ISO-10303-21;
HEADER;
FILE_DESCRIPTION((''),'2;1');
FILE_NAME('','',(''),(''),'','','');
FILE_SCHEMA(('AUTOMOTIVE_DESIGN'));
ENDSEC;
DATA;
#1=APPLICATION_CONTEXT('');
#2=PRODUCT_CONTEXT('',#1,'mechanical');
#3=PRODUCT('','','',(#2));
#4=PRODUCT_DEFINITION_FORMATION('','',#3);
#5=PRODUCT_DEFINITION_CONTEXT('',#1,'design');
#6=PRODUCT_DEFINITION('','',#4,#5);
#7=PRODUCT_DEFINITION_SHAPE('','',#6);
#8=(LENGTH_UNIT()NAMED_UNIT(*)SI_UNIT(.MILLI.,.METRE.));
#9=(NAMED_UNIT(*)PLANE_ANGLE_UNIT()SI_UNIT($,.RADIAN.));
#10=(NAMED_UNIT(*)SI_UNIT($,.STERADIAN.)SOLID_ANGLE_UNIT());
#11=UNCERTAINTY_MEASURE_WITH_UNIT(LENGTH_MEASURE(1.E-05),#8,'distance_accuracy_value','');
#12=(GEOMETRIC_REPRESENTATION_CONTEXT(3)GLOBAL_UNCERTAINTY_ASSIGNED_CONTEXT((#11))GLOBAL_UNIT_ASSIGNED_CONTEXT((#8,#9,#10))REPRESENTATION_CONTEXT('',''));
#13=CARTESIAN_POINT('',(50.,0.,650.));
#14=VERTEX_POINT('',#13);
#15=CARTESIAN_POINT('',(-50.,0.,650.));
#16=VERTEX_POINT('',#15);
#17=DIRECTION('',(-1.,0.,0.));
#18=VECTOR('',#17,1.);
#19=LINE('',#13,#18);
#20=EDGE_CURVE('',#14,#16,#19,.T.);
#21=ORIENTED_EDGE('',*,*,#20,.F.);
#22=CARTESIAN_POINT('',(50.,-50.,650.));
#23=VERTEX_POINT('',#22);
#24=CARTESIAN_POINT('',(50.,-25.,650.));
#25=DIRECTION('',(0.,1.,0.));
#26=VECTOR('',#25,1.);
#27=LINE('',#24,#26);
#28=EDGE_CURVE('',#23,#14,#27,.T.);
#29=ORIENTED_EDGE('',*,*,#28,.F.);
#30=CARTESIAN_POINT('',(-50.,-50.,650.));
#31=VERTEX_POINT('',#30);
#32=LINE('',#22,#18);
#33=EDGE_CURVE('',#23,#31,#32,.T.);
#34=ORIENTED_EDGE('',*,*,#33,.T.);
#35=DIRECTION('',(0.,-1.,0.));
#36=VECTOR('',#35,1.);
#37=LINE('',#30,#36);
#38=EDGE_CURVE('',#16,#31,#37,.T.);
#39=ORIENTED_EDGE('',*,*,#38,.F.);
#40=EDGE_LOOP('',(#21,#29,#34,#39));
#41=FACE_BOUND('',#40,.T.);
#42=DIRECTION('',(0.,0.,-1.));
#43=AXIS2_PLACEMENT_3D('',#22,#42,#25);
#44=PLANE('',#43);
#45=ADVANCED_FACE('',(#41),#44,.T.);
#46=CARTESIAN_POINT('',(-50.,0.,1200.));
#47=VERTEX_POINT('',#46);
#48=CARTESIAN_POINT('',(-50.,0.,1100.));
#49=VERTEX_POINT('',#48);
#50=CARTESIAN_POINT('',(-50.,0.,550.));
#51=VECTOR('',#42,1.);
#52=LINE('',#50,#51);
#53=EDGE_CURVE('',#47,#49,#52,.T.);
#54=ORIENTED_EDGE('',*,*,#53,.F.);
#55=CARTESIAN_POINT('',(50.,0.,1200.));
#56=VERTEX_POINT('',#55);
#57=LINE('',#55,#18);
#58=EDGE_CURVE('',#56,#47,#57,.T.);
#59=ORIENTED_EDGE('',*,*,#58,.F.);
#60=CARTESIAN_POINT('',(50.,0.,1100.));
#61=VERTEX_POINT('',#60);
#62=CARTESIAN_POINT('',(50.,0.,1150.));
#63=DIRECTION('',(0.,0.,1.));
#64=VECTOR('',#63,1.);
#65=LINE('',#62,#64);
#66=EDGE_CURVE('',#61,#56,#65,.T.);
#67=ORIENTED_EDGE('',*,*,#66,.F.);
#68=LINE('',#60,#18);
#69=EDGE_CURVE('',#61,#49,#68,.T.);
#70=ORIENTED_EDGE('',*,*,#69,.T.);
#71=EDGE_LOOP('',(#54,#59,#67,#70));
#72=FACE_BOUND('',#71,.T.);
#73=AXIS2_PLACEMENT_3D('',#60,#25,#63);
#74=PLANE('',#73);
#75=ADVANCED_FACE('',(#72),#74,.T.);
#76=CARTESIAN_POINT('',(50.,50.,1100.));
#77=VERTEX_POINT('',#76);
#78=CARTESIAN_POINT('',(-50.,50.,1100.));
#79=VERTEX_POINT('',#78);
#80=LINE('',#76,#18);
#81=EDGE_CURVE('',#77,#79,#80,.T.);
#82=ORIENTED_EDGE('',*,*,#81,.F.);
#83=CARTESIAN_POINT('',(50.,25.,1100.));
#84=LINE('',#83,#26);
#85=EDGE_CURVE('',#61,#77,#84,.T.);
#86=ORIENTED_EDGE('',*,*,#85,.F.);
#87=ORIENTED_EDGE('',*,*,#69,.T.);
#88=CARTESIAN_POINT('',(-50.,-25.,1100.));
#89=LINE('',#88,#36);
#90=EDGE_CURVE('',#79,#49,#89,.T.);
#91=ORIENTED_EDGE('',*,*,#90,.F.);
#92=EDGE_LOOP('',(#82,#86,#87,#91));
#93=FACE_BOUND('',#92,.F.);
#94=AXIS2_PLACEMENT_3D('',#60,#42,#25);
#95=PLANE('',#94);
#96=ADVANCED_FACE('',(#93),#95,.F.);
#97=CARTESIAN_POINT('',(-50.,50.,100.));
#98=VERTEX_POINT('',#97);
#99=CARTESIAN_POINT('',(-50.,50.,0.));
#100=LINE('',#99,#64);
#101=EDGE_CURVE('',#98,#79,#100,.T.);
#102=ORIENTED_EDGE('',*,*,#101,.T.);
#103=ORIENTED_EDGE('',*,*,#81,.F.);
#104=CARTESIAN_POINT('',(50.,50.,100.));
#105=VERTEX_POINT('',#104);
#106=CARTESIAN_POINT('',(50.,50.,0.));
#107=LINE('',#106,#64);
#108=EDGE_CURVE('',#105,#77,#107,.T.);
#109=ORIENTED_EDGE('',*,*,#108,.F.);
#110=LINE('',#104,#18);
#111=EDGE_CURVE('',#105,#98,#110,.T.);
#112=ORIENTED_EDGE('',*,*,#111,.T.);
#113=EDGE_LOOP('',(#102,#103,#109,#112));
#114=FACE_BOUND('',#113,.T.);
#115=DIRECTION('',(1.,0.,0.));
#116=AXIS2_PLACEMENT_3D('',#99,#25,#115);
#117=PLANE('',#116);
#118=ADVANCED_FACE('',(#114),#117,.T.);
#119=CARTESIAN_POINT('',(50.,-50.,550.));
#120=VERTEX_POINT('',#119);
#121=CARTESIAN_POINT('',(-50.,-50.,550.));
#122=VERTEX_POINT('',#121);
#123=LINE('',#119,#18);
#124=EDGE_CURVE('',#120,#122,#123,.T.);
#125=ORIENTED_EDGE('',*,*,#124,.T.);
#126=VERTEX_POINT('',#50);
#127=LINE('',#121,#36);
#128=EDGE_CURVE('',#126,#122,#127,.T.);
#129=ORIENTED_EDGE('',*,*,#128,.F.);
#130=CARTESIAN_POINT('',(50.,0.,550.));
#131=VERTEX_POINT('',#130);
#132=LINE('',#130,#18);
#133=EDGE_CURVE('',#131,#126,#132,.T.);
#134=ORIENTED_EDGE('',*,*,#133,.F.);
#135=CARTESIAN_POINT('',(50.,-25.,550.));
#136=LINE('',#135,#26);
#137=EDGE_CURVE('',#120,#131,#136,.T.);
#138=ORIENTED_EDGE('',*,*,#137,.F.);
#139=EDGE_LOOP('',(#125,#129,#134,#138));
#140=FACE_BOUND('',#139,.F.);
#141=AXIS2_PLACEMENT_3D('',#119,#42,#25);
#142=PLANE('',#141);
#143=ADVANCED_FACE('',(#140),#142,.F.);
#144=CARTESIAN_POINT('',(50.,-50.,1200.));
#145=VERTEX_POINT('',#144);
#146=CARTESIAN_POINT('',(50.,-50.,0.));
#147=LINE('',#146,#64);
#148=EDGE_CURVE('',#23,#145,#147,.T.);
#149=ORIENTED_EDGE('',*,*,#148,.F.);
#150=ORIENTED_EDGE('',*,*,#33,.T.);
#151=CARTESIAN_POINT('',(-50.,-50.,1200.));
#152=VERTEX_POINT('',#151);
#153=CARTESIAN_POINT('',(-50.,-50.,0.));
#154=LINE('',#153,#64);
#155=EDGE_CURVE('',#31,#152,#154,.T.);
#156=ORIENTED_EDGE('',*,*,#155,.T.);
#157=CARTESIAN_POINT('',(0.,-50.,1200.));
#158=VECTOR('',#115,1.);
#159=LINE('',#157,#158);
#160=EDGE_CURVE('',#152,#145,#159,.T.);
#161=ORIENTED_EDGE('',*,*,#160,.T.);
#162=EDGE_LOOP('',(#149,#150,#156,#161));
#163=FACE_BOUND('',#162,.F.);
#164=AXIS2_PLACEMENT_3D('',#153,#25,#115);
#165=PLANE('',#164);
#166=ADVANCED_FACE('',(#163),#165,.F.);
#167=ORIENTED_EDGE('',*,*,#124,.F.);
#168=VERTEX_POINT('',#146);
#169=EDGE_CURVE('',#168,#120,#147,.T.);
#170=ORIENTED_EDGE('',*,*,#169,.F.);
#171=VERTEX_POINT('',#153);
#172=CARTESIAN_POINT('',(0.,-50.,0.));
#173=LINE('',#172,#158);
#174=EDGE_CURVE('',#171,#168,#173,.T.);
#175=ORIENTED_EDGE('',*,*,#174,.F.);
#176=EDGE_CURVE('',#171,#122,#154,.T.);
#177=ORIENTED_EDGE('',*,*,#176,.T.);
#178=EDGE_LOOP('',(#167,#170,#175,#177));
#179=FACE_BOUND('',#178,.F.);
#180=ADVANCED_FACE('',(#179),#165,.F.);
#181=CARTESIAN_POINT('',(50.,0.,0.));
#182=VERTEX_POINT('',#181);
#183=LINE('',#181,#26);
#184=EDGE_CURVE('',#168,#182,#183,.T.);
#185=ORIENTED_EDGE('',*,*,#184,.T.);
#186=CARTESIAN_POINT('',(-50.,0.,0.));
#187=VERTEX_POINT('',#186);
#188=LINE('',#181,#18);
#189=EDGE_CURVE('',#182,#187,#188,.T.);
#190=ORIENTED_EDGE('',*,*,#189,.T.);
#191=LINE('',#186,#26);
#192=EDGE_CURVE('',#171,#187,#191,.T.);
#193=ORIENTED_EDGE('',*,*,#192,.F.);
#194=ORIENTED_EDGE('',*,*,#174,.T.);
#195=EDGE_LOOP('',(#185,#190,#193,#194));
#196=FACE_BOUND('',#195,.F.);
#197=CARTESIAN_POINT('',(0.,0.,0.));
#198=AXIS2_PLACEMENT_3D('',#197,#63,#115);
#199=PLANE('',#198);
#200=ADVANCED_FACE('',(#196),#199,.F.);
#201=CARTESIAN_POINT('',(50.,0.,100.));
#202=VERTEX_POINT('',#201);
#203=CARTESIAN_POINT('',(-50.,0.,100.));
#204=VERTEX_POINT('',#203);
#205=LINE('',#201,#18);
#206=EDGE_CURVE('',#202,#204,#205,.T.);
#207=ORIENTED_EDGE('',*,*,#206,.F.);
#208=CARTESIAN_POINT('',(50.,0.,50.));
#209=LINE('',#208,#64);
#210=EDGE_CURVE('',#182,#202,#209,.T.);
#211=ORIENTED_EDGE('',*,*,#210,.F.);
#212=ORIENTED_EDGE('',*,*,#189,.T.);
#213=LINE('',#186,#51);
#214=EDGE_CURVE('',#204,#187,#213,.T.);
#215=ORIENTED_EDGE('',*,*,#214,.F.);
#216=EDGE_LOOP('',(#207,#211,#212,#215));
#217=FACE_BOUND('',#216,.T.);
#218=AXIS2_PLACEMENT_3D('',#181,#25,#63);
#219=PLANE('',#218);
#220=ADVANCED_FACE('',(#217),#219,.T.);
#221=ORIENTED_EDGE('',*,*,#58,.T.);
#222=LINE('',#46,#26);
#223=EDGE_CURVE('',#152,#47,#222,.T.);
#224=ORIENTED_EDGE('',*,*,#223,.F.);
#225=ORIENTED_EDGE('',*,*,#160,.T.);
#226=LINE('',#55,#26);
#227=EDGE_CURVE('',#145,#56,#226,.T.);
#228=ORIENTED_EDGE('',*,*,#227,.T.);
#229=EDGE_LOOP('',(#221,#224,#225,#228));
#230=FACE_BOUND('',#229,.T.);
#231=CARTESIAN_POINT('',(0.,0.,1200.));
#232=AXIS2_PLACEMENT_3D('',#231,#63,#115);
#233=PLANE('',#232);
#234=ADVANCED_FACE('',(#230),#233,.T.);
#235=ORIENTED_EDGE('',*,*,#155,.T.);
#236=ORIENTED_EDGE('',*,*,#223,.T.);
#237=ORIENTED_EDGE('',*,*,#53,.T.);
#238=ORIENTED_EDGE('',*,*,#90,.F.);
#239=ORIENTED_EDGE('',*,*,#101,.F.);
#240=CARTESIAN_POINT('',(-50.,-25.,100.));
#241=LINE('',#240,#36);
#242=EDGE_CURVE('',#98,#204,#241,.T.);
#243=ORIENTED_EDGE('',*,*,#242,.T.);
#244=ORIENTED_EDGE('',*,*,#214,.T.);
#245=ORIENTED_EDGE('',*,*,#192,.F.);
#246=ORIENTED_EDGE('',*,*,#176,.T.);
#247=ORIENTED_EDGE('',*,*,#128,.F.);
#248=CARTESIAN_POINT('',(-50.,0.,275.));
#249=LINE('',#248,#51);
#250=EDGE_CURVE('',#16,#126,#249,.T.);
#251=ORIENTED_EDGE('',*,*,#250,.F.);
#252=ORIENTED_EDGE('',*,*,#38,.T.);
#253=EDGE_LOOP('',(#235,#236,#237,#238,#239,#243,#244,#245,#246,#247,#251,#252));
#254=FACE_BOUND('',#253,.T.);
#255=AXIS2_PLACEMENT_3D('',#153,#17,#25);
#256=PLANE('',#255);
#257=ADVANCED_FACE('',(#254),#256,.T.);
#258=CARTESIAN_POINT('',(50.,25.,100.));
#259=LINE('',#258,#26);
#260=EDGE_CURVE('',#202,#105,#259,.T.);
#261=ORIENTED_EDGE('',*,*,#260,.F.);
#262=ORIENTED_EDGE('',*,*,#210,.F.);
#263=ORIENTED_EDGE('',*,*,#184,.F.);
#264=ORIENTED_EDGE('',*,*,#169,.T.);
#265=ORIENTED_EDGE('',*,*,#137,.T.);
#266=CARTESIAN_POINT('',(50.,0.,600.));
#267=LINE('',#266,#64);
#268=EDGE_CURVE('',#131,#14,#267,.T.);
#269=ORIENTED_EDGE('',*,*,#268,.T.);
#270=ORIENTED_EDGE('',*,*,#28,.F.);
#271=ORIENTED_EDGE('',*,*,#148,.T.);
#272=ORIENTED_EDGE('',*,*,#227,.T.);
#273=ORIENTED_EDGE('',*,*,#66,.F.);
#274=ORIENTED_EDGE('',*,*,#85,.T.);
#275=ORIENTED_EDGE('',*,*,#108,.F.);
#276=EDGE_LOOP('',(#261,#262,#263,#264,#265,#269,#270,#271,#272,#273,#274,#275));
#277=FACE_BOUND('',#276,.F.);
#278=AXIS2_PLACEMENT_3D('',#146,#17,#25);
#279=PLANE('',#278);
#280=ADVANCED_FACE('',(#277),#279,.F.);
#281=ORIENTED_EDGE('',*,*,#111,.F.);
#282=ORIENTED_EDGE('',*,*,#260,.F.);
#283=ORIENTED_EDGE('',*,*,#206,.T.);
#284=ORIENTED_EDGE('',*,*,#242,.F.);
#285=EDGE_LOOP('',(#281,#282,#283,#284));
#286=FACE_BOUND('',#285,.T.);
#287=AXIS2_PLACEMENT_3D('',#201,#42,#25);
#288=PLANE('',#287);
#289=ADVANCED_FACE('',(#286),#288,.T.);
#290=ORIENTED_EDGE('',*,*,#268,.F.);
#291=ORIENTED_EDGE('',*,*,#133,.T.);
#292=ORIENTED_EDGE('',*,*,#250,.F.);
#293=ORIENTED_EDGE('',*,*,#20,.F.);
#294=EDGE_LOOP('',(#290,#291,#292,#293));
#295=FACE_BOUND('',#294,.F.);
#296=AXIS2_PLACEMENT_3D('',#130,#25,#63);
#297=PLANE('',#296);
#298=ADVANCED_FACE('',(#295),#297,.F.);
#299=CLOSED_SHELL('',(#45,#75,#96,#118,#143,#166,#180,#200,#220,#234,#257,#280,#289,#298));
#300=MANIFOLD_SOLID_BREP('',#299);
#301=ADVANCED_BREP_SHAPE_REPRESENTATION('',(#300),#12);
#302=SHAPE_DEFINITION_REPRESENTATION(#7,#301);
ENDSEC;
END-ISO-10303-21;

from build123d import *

# Parameters (mm, degrees)
F0_W     = 100
F0_H     = 100
F1_DEPTH = 1200
F2_W     = 50
F2_H     = 100
F3_DEPTH = 100.001


with BuildPart() as f1:
    # F0 (on Top) → F1 (new body)
    with BuildSketch(Plane.XY):
        Rectangle(F0_W, F0_H)
    extrude(amount=F1_DEPTH)

    # F2 (on face) → F3 (cut, through all)
    with BuildSketch(Plane.YZ.offset(50)):
        with Locations((25, 50)):
            Rectangle(F2_W, F2_H)
        with Locations((25, 1150)):
            Rectangle(F2_W, F2_H)
        with Locations((-25, 600)):
            Rectangle(F2_W, F2_H)
    extrude(amount=-F3_DEPTH, mode=Mode.SUBTRACT)


solid = f1.part
